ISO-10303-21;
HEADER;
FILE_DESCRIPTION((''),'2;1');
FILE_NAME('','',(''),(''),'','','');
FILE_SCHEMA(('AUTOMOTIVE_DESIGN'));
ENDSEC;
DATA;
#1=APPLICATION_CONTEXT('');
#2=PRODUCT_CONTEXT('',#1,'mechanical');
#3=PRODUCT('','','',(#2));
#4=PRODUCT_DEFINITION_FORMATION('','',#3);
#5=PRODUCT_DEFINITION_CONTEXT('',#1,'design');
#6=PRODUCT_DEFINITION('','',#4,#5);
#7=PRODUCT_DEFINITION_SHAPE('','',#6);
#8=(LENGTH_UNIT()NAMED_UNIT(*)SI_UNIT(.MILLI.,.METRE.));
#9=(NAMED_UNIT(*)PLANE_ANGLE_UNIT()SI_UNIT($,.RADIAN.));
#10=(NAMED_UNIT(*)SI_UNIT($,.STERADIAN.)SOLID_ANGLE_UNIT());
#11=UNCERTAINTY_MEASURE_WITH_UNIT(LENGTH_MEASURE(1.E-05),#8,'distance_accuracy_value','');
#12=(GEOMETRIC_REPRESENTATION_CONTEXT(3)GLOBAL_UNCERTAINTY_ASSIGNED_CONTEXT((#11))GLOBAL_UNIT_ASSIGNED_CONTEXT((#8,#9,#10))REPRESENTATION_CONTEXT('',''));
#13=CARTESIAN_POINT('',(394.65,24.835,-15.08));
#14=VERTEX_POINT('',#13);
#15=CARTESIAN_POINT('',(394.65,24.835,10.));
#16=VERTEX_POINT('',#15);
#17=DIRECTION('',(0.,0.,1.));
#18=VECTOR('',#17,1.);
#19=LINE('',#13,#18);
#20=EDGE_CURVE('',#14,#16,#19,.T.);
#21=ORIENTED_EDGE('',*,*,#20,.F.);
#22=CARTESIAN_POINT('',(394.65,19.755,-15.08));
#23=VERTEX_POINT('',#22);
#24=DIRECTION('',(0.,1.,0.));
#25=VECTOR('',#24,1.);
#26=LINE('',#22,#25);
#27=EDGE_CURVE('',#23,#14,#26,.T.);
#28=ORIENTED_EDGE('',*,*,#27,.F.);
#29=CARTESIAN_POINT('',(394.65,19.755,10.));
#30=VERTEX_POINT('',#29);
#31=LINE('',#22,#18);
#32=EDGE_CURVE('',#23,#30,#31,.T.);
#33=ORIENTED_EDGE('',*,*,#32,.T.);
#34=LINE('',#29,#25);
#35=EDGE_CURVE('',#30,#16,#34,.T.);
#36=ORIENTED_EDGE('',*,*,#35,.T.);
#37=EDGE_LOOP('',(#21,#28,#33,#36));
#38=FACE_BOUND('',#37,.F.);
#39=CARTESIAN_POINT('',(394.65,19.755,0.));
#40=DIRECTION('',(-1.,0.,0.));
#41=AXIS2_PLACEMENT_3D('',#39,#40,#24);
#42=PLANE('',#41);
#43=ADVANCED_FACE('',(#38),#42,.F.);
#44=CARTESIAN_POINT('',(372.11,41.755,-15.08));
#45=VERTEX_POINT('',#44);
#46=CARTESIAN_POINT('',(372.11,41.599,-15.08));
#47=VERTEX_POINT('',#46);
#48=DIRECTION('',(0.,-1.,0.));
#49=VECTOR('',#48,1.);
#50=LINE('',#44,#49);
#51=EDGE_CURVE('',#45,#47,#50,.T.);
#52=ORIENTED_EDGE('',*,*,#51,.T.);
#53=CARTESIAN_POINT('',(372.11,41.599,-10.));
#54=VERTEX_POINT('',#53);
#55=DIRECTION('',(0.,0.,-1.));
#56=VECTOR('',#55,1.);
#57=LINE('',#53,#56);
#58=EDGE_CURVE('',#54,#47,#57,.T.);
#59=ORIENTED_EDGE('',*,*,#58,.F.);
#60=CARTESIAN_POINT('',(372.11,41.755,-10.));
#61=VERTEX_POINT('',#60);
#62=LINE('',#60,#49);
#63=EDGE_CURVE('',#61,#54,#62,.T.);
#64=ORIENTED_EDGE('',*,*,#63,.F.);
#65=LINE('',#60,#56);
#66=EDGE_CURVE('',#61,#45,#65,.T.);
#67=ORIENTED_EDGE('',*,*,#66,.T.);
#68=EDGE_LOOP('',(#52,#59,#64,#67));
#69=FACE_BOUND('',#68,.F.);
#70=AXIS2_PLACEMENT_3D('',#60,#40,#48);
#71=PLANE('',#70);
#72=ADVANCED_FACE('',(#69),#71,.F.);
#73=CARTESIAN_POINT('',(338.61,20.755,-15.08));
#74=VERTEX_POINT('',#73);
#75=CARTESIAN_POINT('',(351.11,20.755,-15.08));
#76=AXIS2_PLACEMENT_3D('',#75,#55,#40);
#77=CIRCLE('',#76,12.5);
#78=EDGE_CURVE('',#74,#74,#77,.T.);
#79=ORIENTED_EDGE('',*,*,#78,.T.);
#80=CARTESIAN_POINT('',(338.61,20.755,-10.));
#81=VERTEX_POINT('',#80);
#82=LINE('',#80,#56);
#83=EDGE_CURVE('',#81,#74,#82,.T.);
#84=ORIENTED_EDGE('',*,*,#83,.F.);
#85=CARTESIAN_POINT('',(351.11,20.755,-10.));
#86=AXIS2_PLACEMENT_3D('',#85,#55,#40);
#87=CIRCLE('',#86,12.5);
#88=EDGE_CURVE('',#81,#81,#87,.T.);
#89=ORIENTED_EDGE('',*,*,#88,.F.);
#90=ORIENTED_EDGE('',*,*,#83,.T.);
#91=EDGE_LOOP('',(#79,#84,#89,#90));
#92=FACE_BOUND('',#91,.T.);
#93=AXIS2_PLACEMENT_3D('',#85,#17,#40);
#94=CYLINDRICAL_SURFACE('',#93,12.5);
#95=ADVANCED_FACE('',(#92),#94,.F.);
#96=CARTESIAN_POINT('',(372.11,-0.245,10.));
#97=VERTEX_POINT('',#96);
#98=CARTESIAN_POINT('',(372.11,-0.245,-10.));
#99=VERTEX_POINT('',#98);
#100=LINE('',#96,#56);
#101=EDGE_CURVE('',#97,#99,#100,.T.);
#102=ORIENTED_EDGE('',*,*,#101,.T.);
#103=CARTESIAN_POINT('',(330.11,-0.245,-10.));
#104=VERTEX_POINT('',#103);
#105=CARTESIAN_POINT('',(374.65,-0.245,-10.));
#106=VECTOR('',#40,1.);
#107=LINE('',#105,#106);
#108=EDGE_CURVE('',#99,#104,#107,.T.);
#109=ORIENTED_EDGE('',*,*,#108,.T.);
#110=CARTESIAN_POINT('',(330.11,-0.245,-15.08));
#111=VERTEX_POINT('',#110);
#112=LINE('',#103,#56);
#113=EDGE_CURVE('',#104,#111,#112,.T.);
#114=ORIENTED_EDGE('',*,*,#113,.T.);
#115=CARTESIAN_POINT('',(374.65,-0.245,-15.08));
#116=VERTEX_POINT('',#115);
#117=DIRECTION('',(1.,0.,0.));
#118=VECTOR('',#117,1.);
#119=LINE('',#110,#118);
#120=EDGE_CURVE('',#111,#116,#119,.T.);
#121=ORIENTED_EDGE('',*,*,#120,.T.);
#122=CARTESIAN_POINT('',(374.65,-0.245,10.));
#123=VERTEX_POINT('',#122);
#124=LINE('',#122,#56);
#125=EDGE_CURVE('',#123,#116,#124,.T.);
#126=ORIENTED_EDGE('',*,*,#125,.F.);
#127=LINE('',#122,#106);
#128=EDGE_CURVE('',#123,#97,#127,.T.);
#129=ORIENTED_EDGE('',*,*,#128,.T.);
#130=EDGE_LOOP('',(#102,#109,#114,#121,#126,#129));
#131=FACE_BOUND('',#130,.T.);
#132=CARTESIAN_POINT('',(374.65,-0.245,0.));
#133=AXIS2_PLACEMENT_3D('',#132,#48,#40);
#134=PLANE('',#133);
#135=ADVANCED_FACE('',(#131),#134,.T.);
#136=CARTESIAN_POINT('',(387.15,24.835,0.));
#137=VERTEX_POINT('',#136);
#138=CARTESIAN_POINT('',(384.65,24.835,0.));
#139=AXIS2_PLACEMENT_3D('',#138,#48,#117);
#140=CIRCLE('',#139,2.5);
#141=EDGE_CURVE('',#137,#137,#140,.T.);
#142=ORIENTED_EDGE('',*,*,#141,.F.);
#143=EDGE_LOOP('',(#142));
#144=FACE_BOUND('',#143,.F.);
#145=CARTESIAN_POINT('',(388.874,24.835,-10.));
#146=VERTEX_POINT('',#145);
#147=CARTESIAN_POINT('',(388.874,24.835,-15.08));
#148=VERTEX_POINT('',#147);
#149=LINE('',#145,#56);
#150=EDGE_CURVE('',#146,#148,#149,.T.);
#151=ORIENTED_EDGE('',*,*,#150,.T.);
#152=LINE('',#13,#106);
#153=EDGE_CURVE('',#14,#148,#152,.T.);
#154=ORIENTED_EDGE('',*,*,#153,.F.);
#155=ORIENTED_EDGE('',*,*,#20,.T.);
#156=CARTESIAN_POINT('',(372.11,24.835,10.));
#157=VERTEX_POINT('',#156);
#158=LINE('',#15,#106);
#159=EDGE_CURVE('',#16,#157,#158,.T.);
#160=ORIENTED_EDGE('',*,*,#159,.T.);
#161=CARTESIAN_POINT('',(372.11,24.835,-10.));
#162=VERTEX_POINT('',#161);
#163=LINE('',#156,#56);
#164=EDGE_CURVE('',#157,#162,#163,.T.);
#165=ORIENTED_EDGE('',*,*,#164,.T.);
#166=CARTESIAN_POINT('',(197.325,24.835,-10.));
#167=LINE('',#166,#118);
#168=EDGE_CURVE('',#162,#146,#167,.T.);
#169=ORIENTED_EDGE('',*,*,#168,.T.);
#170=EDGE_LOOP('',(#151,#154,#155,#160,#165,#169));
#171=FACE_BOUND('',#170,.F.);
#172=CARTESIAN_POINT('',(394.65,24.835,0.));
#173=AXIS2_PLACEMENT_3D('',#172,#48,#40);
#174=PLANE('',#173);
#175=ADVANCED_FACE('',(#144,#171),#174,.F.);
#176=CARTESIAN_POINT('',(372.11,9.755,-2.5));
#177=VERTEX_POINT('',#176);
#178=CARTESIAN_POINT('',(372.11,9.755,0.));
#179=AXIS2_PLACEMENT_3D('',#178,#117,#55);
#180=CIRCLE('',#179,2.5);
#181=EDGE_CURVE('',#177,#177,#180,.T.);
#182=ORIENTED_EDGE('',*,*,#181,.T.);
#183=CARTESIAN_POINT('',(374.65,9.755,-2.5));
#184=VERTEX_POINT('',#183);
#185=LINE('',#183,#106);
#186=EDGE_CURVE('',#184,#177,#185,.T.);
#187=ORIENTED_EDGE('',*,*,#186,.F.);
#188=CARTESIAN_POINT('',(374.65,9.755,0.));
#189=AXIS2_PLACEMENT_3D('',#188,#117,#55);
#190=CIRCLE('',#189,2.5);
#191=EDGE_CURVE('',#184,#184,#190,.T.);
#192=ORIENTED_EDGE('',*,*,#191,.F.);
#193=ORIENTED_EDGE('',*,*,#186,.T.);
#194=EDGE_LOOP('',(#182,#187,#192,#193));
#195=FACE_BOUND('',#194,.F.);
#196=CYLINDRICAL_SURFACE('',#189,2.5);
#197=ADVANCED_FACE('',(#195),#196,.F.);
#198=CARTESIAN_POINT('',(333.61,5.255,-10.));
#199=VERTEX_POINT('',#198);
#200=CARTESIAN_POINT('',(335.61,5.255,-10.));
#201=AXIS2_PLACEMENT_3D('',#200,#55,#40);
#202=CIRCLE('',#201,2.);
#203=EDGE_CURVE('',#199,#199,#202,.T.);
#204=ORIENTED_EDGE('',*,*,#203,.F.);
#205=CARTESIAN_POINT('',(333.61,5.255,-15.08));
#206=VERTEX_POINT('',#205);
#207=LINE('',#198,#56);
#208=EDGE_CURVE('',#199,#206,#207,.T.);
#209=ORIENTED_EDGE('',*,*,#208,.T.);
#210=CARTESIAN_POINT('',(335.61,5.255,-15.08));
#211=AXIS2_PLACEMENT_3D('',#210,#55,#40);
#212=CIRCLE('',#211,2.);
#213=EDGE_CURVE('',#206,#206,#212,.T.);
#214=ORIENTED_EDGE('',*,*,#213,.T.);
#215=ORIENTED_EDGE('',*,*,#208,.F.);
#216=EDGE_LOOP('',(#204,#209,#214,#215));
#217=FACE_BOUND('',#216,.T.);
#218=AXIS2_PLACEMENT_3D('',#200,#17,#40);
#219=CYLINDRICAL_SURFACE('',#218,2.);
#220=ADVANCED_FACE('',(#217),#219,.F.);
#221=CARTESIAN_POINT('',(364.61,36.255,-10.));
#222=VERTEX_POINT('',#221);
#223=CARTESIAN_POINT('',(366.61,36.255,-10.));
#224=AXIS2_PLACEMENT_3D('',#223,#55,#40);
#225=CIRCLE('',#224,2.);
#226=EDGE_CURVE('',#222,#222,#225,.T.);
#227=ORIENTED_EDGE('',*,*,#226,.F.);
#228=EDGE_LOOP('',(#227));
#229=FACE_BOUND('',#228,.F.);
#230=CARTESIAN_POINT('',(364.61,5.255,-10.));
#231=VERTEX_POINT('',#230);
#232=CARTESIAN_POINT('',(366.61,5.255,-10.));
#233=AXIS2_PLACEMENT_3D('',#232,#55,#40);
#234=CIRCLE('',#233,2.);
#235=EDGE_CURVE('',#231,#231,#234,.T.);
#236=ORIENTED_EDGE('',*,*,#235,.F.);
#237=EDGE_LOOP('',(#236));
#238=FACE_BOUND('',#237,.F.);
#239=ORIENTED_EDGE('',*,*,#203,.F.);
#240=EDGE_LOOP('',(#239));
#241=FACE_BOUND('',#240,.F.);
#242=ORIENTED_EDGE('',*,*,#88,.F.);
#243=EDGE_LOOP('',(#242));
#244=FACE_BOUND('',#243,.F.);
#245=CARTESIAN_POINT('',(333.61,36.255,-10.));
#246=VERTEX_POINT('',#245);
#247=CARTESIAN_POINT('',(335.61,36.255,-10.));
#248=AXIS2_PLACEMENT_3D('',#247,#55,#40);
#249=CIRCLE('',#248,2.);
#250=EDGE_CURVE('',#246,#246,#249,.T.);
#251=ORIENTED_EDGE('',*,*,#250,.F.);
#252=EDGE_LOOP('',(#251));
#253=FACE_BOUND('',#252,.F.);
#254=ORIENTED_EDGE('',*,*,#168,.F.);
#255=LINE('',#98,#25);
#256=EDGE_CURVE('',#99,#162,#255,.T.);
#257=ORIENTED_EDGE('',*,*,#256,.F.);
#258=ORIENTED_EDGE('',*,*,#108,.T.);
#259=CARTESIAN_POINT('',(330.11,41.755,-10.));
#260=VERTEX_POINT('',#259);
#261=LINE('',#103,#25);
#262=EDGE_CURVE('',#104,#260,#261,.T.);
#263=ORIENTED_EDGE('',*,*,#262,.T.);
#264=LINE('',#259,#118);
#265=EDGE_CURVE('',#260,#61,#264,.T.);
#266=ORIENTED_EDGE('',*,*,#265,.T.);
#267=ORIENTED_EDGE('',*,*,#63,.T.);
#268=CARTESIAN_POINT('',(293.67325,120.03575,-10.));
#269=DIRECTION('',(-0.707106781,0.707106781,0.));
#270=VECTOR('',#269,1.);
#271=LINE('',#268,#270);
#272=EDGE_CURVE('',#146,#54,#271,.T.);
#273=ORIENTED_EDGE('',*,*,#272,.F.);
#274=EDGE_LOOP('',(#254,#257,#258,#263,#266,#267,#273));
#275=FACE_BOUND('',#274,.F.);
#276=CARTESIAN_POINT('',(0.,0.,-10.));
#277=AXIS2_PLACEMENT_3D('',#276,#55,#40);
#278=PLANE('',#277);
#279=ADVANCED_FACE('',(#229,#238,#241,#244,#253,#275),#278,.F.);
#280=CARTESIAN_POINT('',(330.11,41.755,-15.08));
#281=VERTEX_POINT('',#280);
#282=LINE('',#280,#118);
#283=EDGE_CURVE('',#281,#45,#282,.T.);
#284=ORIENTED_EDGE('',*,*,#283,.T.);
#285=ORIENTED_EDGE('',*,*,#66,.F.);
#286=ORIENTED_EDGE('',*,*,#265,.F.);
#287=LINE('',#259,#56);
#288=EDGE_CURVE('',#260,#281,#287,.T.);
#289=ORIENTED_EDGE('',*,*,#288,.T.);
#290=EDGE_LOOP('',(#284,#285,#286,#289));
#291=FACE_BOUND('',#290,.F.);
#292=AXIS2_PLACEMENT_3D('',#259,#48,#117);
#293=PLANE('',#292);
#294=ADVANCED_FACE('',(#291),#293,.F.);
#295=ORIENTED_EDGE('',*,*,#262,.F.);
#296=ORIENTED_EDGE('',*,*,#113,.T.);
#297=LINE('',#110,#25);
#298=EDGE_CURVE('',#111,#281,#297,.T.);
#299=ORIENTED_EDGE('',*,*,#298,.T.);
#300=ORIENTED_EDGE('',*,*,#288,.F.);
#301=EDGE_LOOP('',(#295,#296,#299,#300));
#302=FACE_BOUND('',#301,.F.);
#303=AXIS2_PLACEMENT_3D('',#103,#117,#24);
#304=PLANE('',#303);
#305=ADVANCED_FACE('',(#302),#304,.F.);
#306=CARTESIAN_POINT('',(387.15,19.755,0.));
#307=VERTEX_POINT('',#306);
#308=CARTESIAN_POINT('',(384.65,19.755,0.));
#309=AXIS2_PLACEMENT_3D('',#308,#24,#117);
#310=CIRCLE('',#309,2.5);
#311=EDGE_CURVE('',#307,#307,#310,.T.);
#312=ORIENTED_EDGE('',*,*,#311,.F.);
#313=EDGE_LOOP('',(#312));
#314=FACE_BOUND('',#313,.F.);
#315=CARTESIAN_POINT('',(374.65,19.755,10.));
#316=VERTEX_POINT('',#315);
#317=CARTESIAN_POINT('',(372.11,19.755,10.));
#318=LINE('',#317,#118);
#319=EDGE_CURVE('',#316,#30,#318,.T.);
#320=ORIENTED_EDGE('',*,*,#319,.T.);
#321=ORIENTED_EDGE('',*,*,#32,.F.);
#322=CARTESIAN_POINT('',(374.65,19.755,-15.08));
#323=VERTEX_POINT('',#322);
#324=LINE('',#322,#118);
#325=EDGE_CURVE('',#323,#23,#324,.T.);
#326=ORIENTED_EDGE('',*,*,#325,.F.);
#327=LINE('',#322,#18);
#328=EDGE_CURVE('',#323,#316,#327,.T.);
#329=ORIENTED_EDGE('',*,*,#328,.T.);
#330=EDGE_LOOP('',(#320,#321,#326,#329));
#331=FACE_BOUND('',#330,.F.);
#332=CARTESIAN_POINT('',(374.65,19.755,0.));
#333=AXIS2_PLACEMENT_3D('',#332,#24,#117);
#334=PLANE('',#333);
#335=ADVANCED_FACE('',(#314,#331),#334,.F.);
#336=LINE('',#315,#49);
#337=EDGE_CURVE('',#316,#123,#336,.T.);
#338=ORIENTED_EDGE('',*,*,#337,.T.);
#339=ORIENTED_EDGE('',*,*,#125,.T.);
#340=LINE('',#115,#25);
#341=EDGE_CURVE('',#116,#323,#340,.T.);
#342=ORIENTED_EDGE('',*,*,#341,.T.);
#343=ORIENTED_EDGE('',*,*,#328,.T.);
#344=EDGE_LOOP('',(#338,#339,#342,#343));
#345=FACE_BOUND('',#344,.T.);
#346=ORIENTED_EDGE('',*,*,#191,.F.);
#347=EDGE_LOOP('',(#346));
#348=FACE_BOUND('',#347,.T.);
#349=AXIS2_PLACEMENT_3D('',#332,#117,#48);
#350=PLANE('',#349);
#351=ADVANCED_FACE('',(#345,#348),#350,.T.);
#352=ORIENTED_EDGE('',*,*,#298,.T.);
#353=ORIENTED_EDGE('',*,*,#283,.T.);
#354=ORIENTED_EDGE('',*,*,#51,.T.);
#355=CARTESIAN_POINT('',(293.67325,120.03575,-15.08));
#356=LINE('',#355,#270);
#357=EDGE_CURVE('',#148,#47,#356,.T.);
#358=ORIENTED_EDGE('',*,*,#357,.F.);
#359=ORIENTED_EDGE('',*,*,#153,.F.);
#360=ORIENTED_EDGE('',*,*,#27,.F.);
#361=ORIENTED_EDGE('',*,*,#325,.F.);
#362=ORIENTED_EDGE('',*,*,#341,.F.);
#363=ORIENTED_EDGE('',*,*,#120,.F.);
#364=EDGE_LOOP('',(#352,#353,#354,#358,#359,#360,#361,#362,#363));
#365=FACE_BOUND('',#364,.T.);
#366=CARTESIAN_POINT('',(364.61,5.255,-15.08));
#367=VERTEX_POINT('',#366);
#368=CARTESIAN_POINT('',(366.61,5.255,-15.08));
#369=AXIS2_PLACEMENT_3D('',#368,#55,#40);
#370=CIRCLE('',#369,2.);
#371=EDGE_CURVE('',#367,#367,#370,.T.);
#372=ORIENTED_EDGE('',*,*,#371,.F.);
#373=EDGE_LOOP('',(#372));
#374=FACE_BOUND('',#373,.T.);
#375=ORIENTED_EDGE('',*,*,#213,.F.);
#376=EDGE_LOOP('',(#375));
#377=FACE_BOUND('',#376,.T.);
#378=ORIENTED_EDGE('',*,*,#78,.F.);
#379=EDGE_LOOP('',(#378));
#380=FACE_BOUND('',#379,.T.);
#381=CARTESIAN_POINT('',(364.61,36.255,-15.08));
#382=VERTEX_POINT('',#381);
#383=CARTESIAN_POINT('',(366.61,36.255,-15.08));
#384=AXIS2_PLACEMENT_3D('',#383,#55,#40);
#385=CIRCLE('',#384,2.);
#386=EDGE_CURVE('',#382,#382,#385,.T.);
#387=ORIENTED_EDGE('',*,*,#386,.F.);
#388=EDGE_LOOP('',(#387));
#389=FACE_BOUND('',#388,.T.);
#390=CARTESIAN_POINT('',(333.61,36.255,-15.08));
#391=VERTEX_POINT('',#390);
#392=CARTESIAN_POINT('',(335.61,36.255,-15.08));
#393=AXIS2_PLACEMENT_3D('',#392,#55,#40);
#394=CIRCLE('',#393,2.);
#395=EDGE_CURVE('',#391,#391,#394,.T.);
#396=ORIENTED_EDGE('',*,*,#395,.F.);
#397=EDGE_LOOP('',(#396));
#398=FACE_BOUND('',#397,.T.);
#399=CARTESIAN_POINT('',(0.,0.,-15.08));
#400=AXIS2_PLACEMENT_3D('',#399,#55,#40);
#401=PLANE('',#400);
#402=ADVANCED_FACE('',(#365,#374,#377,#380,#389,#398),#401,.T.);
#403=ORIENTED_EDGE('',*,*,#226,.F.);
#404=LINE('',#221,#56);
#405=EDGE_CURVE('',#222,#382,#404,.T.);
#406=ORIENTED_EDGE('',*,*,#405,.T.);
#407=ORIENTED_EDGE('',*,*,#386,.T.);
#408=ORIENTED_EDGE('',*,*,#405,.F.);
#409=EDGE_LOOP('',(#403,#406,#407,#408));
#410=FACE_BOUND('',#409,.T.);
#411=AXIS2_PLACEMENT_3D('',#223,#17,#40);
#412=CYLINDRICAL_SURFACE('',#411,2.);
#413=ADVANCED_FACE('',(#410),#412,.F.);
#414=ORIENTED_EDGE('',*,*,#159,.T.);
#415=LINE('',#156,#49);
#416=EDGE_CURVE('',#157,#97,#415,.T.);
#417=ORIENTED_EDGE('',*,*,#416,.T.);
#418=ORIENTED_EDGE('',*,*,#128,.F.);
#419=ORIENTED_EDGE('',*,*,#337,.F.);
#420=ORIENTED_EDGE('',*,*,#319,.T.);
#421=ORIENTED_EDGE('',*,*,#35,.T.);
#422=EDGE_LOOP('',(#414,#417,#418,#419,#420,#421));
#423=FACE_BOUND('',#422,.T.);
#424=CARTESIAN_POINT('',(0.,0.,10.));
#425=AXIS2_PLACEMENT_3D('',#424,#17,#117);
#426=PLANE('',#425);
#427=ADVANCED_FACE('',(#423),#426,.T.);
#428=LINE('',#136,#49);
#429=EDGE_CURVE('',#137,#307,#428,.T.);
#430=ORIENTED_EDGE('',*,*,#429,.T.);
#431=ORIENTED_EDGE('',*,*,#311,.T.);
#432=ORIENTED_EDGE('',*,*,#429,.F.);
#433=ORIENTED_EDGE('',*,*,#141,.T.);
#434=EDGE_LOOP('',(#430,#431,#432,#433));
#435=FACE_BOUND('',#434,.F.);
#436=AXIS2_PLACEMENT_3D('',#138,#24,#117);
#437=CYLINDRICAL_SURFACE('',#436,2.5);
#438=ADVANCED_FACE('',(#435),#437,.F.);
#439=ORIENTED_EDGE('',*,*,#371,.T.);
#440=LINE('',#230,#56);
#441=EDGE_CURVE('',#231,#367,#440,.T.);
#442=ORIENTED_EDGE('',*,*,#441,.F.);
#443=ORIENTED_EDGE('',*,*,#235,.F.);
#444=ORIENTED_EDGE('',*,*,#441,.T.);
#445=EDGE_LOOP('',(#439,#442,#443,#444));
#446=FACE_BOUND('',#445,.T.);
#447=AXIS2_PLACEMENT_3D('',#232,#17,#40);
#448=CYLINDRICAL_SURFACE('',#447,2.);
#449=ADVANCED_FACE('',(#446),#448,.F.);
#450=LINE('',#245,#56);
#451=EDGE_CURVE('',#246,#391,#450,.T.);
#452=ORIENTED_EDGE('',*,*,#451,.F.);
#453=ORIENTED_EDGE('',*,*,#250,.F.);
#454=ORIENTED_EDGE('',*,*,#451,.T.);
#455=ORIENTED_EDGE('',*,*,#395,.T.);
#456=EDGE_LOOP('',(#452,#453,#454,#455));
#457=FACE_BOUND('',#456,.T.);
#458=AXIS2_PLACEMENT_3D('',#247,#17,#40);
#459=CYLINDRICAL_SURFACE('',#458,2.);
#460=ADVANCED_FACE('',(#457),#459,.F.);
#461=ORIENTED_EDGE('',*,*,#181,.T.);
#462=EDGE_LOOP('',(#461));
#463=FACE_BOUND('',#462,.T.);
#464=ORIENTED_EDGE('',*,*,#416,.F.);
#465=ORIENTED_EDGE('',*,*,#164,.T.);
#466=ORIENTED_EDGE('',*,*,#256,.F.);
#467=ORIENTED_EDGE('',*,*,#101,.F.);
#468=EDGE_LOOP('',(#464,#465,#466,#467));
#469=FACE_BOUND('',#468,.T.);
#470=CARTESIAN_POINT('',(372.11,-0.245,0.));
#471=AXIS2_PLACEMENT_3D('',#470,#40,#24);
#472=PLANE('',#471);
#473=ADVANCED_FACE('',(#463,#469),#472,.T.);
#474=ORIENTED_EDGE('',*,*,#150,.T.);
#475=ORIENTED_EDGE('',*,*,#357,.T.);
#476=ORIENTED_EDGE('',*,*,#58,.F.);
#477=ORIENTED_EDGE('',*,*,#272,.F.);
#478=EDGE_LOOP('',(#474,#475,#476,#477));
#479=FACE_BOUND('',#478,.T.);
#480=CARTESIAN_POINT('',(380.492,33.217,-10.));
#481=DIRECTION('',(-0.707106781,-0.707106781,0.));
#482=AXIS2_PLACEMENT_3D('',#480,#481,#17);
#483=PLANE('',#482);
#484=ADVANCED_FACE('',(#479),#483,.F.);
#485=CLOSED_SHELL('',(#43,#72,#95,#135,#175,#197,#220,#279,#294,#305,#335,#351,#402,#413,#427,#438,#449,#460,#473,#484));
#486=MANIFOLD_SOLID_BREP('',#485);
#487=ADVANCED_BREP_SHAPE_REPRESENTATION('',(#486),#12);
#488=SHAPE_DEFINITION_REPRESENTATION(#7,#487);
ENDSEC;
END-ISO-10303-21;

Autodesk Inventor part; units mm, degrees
ref_plane "YZ Plane" through (0, 0, 0) normal (1, 0, 0) x (0, 1, 0)
ref_plane "XZ Plane" through (0, 0, 0) normal (0, 1, 0) x (-1, 0, 0)
ref_plane "XY Plane" through (0, 0, 0) normal (0, 0, 1) x (1, 0, 0)
ref_plane "Work Plane1" through (0, 0, 0) normal (0, 0, 1) x (1, 0, 0)
sketch "Sketch1" plane through (0, 0, 0) normal (0, 0, 1) x (1, 0, 0)
  line L0 (374.65, 19.755) -> (374.65, -0.245) projected
  line L1 (394.65, -0.245) -> (394.65, 19.755) projected
  line L2 (374.65, -0.245) -> (394.65, -0.245) projected
  line L3 (374.65, -0.245) -> (372.11, -0.245)
  line L4 (372.11, -0.245) -> (372.11, 19.755)
  line L5 (372.11, 19.755) -> (374.65, 19.755)
  line L6 (374.65, 19.755) -> (374.65, -0.245)
  line L7 (372.11, 19.755) -> (394.65, 19.755)
  line L8 (394.65, 19.755) -> (394.65, 24.835)
  line L9 (394.65, 24.835) -> (372.11, 24.835)
  line L10 (372.11, 24.835) -> (372.11, 19.755)
  point P0 (0, 0)
  dimension "d0" = 2.54
  dimension "d1" = 20
  dimension "d2" = 5.08
extrude "Extrusion1" add sketch "Sketch1" along normal mid plane 20 contours L0 L3 L4 L5 | L5 L10 L9 L8 L7
sketch "Sketch2" plane through (372.11, 24.835, -10) normal (0, 1, 0) x (1, 0, 0)
  line L0 (0, 0) -> (22.54, 0) projected
  line L1 (0, 0) -> (0, -20) projected
  line L2 (22.54, -20) -> (0, -20) projected
  line L3 (22.54, 0) -> (22.54, -20) projected
  line L4 (2.54, -340.2) -> (2.54, 320.2) projected
  line L5 (2.54, -20) -> (2.54, 0) projected
  line L6 (2.54, -10) -> (22.54, -10)
  circle A0 centre (12.54, -10) radius 2.5
  point P0 (-372.11, -10)
  dimension "d5" = 5
extrude "Extrusion2" cut sketch "Sketch2" against normal blind 20 contours A0 L6 | L6 A0
sketch "Sketch3" plane through (374.65, -0.245, -10) normal (1, 0, 0) x (0, 0, -1)
  line L0 (0, 20) -> (0, 0) projected
  line L1 (0, 20) -> (-20, 20) projected
  circle A0 centre (-10, 10) radius 2.5
  point P0 (-10, 0.245)
  dimension "d8" = 5
extrude "Extrusion3" cut sketch "Sketch3" against normal blind 20
sketch "Sketch4" plane through (0, 0, -10) normal (0, 0, -1) x (-1, 0, 0)
  line L0 (-374.65, -0.245) -> (-374.65, 19.755) projected
  line L1 (-374.65, 19.755) -> (-394.65, 19.755) projected
  line L2 (-394.65, 19.755) -> (-394.65, 24.835) projected
  line L3 (-394.65, 24.835) -> (-372.11, 24.835) projected
  line L4 (-372.11, 24.835) -> (-372.11, -0.245) projected
  line L5 (-372.11, -0.245) -> (-374.65, -0.245) projected
  line L6 (-372.11, -0.245) -> (-330.11, -0.245)
  line L7 (-330.11, -0.245) -> (-330.11, 41.755)
  line L8 (-330.11, 41.755) -> (-372.11, 41.755)
  line L9 (-372.11, 41.755) -> (-372.11, -0.245)
  circle A0 centre (-351.11, 20.755) radius 12.5
  circle A1 centre (-335.61, 36.255) radius 2
  circle A2 centre (-335.61, 5.255) radius 2
  circle A3 centre (-366.61, 36.255) radius 2
  circle A4 centre (-366.61, 5.255) radius 2
  point P0 (0, 0)
  dimension "d11" = 42
  dimension "d12" = 42
  dimension "d13" = 25
  dimension "d16" = 4
  dimension "d19" = 31
  dimension "d22" = 31
extrude "Extrusion4" add sketch "Sketch4" along normal blind 5.08
chamfer "Chamfer1" distance 16.764 angle 45 1 edges at (372.11, 24.835, -12.54)
properties part number "YMotorMount"
